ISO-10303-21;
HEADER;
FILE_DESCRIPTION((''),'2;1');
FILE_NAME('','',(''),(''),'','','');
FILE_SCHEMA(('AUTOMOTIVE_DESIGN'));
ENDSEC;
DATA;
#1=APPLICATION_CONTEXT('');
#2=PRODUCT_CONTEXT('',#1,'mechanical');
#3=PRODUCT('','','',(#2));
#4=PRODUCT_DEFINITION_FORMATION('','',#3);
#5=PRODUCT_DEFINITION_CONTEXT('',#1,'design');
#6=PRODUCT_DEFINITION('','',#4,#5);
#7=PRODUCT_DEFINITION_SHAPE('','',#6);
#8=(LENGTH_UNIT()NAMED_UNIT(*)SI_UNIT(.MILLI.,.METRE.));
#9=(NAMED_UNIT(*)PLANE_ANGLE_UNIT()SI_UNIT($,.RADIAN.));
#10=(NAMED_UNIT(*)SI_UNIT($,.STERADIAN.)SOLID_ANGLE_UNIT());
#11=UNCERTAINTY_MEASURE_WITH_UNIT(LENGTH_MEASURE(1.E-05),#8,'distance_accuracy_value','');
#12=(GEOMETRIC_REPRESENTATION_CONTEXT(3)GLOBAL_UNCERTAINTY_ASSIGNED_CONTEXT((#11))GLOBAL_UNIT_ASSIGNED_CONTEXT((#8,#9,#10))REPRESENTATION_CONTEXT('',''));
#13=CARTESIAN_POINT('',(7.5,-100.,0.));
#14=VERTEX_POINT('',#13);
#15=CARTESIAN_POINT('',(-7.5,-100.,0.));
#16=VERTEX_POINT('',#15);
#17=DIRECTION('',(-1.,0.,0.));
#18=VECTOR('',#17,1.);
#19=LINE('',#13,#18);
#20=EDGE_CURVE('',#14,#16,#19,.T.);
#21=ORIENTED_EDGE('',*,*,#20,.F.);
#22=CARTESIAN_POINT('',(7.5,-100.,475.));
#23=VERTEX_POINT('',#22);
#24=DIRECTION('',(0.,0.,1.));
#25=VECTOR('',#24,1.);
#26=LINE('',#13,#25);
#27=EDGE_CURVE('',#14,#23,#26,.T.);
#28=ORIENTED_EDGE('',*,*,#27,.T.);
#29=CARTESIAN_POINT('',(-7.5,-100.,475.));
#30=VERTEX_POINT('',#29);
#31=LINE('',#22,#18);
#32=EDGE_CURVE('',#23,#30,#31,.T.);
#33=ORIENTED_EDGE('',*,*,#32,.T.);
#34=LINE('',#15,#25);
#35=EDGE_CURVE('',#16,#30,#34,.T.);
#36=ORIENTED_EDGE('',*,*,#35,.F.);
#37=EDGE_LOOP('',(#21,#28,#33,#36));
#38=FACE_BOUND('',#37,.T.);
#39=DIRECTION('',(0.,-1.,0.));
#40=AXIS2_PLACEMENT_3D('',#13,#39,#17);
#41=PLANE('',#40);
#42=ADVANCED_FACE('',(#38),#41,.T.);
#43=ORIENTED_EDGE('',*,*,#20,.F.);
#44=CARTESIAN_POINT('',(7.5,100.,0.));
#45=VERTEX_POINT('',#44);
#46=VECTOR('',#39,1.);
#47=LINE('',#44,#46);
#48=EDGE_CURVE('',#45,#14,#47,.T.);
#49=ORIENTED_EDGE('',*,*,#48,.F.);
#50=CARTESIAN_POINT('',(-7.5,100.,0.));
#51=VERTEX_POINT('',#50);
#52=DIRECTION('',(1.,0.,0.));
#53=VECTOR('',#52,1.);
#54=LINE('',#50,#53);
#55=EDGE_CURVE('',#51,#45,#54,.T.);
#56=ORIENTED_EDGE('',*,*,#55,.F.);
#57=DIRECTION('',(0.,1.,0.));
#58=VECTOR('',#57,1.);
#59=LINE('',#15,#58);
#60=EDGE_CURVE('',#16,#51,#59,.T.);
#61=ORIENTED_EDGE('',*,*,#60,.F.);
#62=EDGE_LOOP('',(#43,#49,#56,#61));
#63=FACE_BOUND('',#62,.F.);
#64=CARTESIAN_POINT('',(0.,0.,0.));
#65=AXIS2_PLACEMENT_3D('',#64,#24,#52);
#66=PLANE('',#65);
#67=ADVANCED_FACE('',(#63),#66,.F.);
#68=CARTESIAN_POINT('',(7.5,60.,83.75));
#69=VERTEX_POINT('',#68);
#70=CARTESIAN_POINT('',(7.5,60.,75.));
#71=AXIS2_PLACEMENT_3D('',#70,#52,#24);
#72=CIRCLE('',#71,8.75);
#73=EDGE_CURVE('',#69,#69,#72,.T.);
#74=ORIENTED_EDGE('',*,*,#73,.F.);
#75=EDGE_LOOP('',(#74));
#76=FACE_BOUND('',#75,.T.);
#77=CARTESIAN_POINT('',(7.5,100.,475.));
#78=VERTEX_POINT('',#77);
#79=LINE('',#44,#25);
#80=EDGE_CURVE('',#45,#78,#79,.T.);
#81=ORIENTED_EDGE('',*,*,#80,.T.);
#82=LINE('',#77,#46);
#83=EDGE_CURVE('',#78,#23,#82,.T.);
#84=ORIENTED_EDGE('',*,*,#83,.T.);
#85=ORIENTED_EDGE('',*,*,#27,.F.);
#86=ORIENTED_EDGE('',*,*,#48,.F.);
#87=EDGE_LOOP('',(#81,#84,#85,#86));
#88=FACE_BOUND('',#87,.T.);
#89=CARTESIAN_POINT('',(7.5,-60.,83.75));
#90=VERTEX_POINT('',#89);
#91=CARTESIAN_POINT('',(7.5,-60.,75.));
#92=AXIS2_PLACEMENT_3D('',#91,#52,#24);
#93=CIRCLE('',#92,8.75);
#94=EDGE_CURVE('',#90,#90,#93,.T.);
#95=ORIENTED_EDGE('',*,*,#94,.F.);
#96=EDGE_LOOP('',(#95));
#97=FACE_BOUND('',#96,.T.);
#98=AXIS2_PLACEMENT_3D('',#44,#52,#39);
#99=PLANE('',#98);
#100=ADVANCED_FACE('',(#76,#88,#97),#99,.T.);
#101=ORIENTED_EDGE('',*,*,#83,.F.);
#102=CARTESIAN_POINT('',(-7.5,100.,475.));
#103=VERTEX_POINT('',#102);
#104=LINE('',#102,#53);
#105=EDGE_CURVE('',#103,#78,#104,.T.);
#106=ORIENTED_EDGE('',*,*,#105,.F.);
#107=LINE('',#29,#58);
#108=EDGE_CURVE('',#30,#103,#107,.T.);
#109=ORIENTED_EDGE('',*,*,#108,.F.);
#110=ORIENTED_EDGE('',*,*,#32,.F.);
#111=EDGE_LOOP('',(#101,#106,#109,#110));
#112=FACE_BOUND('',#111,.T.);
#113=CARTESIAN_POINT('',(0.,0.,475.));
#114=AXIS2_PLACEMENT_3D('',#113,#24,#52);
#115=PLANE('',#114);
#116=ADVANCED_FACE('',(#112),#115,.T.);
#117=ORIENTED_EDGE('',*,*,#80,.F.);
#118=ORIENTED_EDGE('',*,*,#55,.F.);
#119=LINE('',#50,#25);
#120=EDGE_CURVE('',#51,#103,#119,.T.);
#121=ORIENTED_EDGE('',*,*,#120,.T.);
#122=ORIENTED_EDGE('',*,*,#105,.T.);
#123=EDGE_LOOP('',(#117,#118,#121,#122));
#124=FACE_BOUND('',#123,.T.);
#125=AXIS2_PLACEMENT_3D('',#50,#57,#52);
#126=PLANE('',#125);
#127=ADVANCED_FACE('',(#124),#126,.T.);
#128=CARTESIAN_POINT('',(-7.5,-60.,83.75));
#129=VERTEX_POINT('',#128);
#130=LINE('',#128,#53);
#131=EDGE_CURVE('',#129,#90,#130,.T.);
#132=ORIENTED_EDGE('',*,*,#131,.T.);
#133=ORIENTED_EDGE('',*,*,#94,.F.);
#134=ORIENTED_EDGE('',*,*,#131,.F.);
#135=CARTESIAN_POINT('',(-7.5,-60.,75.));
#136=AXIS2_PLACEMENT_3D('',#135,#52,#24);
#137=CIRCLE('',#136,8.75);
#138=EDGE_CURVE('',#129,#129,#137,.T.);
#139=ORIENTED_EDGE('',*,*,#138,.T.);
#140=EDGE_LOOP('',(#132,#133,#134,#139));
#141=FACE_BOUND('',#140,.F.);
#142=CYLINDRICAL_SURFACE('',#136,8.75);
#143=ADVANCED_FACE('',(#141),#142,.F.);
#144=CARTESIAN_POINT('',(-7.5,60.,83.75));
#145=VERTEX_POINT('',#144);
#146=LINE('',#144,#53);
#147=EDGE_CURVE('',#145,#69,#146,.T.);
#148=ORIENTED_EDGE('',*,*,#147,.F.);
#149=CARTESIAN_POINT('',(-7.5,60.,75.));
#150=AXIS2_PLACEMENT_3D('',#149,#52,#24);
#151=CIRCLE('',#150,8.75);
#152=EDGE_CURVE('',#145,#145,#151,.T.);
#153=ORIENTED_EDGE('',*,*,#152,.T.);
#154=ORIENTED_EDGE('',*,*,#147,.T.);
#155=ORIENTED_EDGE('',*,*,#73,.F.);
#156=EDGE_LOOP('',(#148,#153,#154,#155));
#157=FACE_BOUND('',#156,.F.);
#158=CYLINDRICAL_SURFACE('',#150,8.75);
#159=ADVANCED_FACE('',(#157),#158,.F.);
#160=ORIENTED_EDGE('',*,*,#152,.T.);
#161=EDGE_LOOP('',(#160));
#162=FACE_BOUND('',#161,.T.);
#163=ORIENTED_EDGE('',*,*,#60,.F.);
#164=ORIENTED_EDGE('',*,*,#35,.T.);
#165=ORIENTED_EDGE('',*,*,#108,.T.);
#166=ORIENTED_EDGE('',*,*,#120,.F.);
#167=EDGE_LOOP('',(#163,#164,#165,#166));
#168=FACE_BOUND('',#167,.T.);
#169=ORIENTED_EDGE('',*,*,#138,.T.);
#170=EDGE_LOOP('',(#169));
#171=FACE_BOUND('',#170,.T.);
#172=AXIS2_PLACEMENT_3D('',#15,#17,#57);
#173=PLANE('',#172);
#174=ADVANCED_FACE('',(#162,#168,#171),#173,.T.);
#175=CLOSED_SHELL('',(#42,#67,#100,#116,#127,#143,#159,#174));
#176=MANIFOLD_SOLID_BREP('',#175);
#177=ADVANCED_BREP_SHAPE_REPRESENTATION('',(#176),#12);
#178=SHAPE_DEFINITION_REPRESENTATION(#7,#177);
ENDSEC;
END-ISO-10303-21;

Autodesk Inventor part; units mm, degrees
ref_plane "YZ Plane" through (0, 0, 0) normal (1, 0, 0) x (0, 1, 0)
ref_plane "Start Plane" through (0, 0, 0) normal (0, 0, 1) x (1, 0, 0)
ref_plane "End Plane" through (0, 0, 475) normal (0, 0, 1) x (1, 0, 0)
sketch "Sketch" plane through (0, 0, 0) normal (0, 0, 1) x (1, 0, 0)
  line L0 (7.5, -100) -> (-7.5, -100)
  line L1 (-7.5, -100) -> (-7.5, 100)
  line L2 (-7.5, 100) -> (7.5, 100)
  line L3 (7.5, 100) -> (7.5, -100)
  line L4 (-6, 0) -> (8, 0) construction
  line L5 (0, -30) -> (0, 40) construction
  line L6 (0, 140) -> (0, -140) construction
  line L7 (-11, 0) -> (13.5, 0) construction
  dimension "d0" = 200
  dimension "d1" = 15
  dimension "d4" = 7.5
  dimension "d5" = 100
extrude "Body" add sketch "Sketch" along normal up to surface (475 mm away) from surface at 0
sketch "Sketch3" plane through (0, 0, 0) normal (0, 0, 1) x (1, 0, 0)
  line L0 (0, 0) -> (10, 0)
ref_plane "Work Plane3" through (0, 0, 0) normal (0, -1, 0) x (1, 0, 0)
sketch "Sketch5" plane through (-7.5, 100, 0) normal (-1, 0, 0) x (0, 0, 1)
  point P0 (75, -40)
hole "Hole1" at (-7.5, 60, 75) direction (1, 0, 0) diameter 17.5 end through all
sketch "Sketch6" plane through (-7.5, 100, 0) normal (-1, 0, 0) x (0, 0, 1)
  point P0 (75, -160)
hole "Hole2" at (-7.5, -60, 75) direction (1, 0, 0) diameter 17.5 end through all
sketch "Sketch4" plane through (0, 0, 0) normal (0, -1, 0) x (1, 0, 0)
  line L0 (-2, 0) -> (12, 0) projected
  line L1 (-2, 475) -> (12, 475) projected
  dimension "d9" = 475
equation "\"d0\" = G_W"
equation "\"d1\" = G_H"
equation "\"d4\" = 0.5 * d1"
equation "\"d5\" = 0.5 * d0"
equation "\"d2\" = G_L"
equation "\"G_W\" = 200"
equation "\"G_H\" = 15"
equation "\"G_L\" = d9"
equation "\"G_OFFSET_START\" = 0"
equation "\"G_OFFSET_END\" = 0"
equation "\"d7\" = G_OFFSET_END + B_L"
equation "\"B_L\" = 475"
properties part number "DIN EN 10278 - 200 x 15 - 475" material "Steel, Mild"
